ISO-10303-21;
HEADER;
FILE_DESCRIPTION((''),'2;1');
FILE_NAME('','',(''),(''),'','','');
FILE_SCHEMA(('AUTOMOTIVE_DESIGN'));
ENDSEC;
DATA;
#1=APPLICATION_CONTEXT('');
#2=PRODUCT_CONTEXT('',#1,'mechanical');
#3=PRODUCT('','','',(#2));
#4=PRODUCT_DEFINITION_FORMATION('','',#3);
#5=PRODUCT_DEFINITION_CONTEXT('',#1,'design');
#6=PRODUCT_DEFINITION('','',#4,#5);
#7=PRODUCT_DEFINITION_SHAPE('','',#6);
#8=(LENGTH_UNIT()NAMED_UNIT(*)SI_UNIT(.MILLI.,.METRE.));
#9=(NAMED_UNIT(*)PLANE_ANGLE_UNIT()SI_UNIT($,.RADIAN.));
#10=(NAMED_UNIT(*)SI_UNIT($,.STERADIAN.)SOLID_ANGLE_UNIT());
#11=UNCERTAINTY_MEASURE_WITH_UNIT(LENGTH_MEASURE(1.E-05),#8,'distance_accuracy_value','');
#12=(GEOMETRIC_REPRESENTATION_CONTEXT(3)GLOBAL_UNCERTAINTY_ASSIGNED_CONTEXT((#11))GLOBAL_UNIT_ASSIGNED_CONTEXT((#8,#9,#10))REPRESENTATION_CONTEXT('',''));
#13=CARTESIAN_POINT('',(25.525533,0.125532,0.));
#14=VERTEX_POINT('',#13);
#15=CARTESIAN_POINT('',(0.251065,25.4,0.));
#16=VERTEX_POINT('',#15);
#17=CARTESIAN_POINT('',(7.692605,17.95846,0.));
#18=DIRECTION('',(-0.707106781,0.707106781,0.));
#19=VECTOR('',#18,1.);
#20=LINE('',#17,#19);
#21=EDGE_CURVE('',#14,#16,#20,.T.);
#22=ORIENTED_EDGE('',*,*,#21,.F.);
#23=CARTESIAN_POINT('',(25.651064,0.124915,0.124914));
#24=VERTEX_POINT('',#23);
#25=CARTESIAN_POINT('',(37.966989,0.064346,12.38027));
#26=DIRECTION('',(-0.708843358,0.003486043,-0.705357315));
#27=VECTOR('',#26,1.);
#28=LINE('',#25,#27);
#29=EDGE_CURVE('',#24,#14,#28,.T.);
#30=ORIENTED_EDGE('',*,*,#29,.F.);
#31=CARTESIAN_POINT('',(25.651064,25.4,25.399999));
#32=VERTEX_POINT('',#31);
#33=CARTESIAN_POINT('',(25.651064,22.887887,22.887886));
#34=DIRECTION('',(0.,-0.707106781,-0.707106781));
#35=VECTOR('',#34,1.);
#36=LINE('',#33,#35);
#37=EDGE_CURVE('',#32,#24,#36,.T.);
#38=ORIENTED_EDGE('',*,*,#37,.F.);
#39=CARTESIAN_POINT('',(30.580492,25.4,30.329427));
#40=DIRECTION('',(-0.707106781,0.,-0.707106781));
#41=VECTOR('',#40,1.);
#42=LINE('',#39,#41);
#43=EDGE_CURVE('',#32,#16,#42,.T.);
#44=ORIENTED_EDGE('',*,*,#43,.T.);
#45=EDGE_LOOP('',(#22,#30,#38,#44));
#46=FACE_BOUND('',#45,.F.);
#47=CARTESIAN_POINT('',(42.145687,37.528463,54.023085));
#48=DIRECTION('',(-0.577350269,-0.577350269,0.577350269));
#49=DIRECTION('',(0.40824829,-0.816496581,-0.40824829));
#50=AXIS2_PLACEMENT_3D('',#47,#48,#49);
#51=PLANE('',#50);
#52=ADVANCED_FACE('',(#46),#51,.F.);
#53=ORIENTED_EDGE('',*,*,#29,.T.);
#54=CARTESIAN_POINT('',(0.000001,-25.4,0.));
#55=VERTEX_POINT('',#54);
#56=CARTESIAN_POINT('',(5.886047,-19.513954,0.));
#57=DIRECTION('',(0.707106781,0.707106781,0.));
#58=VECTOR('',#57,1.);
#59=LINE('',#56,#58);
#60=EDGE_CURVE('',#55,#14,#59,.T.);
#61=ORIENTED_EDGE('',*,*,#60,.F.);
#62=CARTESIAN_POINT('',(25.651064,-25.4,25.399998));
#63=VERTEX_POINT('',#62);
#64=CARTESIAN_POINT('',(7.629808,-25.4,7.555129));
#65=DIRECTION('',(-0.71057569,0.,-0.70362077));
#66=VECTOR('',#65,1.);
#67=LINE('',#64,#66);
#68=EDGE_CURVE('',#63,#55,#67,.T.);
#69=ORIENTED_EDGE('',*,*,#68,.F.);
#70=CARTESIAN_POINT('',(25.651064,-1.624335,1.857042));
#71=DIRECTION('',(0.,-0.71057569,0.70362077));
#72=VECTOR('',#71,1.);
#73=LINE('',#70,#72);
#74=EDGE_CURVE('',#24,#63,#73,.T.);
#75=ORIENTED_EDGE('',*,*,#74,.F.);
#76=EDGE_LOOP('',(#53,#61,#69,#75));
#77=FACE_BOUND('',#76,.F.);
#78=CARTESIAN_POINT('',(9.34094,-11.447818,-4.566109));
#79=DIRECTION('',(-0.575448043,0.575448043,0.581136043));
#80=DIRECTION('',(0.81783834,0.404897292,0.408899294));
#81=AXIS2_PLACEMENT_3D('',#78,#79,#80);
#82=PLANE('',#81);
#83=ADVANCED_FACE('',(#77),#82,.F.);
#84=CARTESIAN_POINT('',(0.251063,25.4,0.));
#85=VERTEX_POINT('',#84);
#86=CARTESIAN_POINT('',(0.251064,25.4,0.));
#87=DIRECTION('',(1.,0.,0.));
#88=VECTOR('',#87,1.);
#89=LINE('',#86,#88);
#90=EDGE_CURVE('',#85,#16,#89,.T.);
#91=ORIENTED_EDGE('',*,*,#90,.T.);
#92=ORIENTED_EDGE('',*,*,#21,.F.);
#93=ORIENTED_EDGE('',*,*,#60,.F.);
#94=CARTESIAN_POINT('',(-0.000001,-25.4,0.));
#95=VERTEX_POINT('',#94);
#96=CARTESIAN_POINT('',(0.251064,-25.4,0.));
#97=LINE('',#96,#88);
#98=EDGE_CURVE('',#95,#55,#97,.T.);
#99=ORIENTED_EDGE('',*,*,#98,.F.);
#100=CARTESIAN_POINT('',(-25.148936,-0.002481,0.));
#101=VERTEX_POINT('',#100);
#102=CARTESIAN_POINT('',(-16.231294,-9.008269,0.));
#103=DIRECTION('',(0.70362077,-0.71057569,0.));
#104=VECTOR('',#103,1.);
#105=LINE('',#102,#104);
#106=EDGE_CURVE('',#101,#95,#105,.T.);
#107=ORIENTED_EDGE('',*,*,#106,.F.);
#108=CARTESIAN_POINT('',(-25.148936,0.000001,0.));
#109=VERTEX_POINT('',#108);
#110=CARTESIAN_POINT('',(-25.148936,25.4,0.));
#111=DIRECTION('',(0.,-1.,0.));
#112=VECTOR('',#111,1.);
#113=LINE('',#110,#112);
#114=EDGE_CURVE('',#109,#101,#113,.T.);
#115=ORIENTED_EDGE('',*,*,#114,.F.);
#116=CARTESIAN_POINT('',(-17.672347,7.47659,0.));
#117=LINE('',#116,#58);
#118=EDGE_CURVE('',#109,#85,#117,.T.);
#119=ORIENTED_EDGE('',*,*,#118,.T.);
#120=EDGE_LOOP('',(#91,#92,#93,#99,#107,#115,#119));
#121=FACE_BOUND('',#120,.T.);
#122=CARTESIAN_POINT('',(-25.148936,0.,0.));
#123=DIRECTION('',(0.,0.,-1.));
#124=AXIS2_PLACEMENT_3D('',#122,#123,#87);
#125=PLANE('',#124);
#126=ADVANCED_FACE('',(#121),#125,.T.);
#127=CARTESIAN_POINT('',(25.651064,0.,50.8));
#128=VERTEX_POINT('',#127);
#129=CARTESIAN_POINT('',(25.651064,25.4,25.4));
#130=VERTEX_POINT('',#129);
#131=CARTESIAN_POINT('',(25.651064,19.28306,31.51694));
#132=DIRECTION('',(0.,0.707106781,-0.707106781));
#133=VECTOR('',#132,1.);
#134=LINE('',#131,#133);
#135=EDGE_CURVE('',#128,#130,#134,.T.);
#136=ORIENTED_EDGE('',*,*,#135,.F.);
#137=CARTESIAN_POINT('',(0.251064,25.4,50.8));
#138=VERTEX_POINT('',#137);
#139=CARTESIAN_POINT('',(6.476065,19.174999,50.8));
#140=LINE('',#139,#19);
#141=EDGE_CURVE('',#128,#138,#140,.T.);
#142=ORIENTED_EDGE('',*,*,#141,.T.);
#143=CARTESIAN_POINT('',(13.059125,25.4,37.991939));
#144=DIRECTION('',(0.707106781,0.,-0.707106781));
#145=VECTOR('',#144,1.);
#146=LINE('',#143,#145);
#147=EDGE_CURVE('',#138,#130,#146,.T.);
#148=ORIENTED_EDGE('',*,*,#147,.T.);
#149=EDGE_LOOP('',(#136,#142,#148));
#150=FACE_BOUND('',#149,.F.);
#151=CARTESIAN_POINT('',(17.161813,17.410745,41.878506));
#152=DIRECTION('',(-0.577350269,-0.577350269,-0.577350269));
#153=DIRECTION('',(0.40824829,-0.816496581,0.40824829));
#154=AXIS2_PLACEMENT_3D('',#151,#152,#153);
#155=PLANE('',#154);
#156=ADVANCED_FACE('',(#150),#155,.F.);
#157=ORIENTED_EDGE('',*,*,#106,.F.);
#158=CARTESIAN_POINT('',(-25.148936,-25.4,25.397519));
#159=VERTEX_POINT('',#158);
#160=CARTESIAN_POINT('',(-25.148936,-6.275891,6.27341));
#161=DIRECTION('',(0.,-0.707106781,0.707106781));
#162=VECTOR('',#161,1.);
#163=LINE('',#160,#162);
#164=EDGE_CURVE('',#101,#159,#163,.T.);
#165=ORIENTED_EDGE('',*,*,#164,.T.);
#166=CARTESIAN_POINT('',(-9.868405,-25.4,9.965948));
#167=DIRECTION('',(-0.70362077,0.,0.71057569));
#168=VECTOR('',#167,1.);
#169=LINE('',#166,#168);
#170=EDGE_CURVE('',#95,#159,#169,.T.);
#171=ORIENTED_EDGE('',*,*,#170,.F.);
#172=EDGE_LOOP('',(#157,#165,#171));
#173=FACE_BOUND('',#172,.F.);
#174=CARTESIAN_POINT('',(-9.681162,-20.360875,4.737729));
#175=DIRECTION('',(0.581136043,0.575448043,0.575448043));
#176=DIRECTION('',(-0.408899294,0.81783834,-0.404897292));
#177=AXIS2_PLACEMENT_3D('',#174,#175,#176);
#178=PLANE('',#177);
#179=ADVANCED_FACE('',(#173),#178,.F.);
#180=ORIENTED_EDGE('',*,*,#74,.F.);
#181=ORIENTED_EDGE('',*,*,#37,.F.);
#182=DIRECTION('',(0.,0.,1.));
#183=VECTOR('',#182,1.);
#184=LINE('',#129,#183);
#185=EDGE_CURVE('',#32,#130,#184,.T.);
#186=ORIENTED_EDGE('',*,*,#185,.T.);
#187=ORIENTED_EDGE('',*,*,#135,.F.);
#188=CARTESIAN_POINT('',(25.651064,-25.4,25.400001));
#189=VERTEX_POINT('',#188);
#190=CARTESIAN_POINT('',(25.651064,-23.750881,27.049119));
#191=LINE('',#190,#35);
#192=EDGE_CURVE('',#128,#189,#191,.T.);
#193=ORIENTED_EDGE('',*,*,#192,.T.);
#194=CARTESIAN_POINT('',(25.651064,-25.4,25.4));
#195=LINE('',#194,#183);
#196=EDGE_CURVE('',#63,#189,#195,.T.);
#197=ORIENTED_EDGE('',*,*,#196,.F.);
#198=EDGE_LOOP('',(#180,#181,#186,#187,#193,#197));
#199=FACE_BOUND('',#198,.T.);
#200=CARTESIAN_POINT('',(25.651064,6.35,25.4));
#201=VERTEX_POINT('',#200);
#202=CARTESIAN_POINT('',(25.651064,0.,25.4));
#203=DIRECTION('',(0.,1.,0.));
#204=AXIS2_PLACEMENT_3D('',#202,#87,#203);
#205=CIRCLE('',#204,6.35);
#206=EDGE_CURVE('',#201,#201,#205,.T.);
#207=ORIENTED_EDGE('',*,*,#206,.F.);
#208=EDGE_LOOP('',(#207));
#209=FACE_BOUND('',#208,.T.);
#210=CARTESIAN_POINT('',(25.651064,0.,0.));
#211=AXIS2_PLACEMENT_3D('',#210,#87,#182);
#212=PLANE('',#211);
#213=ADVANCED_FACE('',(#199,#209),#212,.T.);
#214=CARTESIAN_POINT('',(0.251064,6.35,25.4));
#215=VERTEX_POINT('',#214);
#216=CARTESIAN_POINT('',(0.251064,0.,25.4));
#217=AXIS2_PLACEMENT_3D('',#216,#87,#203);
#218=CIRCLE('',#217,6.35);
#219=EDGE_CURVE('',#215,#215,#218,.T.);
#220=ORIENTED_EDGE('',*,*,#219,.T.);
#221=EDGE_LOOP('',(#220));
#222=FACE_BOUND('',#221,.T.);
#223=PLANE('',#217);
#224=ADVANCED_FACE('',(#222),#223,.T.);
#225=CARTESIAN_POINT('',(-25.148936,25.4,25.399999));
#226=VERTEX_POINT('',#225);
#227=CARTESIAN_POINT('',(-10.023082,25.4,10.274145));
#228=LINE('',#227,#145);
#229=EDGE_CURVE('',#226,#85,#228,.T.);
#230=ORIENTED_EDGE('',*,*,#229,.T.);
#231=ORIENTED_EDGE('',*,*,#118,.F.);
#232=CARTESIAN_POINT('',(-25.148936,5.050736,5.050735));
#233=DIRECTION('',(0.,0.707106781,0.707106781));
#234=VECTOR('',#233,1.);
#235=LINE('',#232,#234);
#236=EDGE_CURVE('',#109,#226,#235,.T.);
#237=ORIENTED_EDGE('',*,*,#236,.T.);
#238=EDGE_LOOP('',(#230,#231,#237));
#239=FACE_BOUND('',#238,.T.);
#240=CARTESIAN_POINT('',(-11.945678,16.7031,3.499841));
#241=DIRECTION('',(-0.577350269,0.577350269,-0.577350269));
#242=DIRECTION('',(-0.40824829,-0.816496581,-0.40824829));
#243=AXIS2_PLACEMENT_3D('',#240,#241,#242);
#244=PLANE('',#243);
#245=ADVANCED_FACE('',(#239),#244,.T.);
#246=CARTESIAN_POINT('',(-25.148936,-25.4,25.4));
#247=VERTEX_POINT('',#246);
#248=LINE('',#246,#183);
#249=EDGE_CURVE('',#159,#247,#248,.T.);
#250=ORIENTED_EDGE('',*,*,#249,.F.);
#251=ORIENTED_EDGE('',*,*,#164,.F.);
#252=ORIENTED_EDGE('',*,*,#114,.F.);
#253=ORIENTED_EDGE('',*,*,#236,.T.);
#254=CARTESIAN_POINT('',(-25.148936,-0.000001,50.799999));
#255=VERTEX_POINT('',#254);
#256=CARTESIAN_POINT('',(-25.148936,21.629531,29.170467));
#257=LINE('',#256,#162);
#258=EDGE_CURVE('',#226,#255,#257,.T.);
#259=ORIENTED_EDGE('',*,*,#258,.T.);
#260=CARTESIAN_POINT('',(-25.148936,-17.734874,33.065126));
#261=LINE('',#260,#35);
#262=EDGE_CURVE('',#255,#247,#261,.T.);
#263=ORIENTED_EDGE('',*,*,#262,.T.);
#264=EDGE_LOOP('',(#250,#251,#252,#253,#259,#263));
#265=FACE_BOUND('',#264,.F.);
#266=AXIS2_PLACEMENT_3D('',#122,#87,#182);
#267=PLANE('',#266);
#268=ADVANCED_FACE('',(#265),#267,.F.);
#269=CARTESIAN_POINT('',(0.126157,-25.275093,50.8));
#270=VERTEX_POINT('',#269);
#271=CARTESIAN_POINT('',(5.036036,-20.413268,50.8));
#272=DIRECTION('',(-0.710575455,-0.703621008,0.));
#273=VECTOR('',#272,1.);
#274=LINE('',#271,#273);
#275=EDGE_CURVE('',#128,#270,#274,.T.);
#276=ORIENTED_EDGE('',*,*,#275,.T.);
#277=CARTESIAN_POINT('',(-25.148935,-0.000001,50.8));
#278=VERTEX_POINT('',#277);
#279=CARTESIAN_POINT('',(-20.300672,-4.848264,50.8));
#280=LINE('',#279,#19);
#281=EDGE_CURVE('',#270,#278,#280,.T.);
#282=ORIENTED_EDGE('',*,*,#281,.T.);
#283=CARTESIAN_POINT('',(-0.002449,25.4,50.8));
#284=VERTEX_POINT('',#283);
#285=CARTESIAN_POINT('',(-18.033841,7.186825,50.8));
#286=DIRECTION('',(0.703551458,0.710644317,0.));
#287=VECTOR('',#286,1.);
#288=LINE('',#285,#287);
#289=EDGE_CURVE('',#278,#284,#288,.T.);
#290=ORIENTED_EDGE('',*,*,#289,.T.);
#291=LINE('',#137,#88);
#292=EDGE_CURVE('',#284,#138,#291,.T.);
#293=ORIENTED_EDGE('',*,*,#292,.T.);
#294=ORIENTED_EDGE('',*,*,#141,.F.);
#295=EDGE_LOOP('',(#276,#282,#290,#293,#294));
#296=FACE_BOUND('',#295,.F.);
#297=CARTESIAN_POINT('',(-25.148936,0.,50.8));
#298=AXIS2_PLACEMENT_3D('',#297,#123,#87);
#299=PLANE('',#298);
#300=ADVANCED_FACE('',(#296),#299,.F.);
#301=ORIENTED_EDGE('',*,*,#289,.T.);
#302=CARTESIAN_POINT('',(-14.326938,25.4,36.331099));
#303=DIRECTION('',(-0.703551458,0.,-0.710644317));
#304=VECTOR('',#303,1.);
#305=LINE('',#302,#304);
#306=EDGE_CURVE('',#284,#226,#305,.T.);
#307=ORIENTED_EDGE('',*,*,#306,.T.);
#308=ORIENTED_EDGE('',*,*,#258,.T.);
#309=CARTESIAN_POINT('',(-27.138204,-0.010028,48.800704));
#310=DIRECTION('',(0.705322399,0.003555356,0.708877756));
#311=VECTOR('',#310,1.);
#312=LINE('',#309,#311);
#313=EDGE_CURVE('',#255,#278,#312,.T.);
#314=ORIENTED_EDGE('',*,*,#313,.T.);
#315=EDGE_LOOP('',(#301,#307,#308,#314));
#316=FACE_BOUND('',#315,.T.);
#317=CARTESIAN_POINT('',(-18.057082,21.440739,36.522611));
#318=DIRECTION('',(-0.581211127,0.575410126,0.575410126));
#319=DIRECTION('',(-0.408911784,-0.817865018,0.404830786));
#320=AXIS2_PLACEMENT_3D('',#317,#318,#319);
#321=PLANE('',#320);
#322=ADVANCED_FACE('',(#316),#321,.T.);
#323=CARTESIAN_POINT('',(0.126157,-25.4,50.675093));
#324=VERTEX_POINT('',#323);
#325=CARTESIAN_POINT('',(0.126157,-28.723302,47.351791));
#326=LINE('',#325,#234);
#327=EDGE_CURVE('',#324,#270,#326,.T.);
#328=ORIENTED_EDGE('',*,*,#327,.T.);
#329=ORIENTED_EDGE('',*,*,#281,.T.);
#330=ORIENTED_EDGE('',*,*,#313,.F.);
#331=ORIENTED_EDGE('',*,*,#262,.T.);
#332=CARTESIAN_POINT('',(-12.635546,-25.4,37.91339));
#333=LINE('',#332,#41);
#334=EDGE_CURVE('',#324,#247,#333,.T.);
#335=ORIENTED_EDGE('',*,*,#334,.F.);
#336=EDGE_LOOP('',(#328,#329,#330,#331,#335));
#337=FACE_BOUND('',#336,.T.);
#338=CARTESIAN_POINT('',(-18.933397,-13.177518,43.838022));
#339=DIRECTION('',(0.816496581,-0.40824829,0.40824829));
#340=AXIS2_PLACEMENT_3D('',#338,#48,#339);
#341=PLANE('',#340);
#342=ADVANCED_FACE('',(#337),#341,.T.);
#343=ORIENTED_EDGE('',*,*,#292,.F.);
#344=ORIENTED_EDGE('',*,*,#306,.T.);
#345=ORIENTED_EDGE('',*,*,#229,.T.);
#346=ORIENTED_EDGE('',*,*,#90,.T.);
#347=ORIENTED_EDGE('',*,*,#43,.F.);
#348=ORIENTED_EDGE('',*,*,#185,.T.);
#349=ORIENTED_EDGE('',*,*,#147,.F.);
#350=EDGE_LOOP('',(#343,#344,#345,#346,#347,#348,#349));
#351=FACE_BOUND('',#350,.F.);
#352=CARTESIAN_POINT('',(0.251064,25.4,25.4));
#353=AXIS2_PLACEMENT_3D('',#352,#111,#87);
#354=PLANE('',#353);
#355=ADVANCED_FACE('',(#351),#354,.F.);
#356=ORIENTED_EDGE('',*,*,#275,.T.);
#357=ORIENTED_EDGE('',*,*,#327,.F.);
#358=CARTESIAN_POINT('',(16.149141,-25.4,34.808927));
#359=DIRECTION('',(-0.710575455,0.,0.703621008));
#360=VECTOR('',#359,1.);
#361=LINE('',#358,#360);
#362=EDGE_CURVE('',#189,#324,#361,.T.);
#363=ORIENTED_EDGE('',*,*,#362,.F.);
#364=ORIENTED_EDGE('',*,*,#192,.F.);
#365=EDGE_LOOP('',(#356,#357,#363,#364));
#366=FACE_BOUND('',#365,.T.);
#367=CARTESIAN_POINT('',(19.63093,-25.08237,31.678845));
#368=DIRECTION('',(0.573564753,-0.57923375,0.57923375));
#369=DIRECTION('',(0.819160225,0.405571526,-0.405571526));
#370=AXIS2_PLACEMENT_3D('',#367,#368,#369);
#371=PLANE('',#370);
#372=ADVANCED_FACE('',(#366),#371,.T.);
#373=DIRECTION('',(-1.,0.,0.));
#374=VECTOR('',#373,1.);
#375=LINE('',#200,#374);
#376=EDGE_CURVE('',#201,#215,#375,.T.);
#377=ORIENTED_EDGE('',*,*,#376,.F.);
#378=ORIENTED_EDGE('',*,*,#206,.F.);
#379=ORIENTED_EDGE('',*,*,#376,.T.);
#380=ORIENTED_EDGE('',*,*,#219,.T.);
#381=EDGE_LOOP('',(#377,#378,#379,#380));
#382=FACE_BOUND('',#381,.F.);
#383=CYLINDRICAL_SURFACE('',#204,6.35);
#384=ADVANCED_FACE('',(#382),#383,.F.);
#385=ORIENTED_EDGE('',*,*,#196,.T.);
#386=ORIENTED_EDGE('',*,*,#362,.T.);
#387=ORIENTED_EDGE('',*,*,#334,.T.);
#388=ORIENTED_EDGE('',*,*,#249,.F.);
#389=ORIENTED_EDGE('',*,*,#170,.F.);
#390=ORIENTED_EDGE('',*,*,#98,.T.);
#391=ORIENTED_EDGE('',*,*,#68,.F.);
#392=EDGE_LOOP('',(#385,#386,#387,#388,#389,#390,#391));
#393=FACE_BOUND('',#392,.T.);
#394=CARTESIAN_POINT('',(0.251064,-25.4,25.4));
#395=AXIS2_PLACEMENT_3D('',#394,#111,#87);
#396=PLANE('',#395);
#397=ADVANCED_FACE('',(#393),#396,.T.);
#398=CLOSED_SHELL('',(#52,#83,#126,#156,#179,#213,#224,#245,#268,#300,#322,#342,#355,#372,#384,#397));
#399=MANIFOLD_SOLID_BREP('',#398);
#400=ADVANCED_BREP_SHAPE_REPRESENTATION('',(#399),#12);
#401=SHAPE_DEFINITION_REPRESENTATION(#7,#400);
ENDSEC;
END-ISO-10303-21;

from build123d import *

# Parameters (mm, degrees)
F0_W      = 50.8
F0_H      = 50.8
F1_DEPTH  = 25.4
F9_W      = 81.569908
F9_H      = 70.63064
F10_DEPTH = 29.3
F12_R     = 89.535531
F13_DEPTH = 25
F15_R     = 39.569466
F16_DEPTH = 41
F18_W     = 58.592394
F18_H     = 71.147578
F19_DEPTH = 100
F21_W     = 80.173537
F21_H     = 55.645675
F22_DEPTH = 42.7
F24_W     = 87.651257
F24_H     = 68.795107
F25_DEPTH = 25
F27_W     = 100.011413
F27_H     = 117.008079
F28_DEPTH = 25
F30_W     = 0.249144
F30_H     = 2.697075
F31_DEPTH = 48.9
F32_R     = 6.35
F33_DEPTH = 25.4


with BuildPart() as f1:
    # F0 (on Front) → F1 (new body, symmetric)
    with BuildSketch(Plane.XZ):
        with Locations((0.251064, 25.4)):
            Rectangle(F0_W, F0_H)
    extrude(amount=F1_DEPTH, both=True)

    # F9 (on face) → F10 (cut)
    with BuildSketch(Plane(origin=(-8.382979, 8.382979, -8.382979), x_dir=(-0.408248, -0.816497, -0.408248), z_dir=(-0.57735, 0.57735, -0.57735))):
        with Locations((-10.190026, 10.921631)):
            Rectangle(F9_W, F9_H)
    extrude(amount=F10_DEPTH, mode=Mode.SUBTRACT)

    # F12 (on face) → F13 (cut)
    with BuildSketch(Plane(origin=(8.550355, 8.550355, -8.550355), x_dir=(0.408248, -0.816497, -0.408248), z_dir=(-0.57735, -0.57735, 0.57735))):
        with Locations((-35.490789, 68.001591)):
            Circle(F12_R)
    extrude(amount=-F13_DEPTH, mode=Mode.SUBTRACT)

    # F15 (on face) → F16 (cut)
    with BuildSketch(Plane(origin=(25.483688, 25.483688, 25.483688), x_dir=(0.408248, -0.816497, 0.408248), z_dir=(-0.57735, -0.57735, -0.57735))):
        with Locations((9.887295, 17.477341)):
            Circle(F15_R)
    extrude(amount=-F16_DEPTH, mode=Mode.SUBTRACT)

    # F18 (on face) → F19 (cut)
    with BuildSketch(Plane(origin=(-25.484761, 25.230394, 25.230394), x_dir=(-0.408912, -0.817865, 0.404831), z_dir=(-0.581211, 0.57541, 0.57541))):
        with Locations((4.633598, 13.250503)):
            Rectangle(F18_W, F18_H)
    extrude(amount=F19_DEPTH, mode=Mode.SUBTRACT)

    # F21 (on face) → F22 (cut)
    with BuildSketch(Plane(origin=(-25.316312, -25.316312, 25.316312), x_dir=(0.816497, -0.408248, 0.408248), z_dir=(-0.57735, -0.57735, 0.57735))):
        with Locations((7.817443, 21.68025)):
            Rectangle(F21_W, F21_H)
    extrude(amount=F22_DEPTH, mode=Mode.SUBTRACT)

    # F24 (on face) → F25 (cut)
    with BuildSketch(Plane(origin=(-8.494105, -8.410968, -8.410968), x_dir=(-0.408899, 0.817838, -0.404897), z_dir=(0.581136, 0.575448, 0.575448))):
        with Locations((-14.611577, 10.17838)):
            Rectangle(F24_W, F24_H)
    extrude(amount=-F25_DEPTH, mode=Mode.SUBTRACT)

    # F27 (on face) → F28 (cut)
    with BuildSketch(Plane(origin=(8.410968, -8.410968, -8.494105), x_dir=(0.817838, 0.404897, 0.408899), z_dir=(-0.575448, 0.575448, 0.581136))):
        with Locations((1.137109, -4.921732)):
            Rectangle(F27_W, F27_H)
    extrude(amount=-F28_DEPTH, mode=Mode.SUBTRACT)

    # F30 (on face) → F31 (cut)
    with BuildSketch(Plane(origin=(25.315773, -25.566005, 25.566005), x_dir=(0.81916, 0.405571, -0.405571), z_dir=(0.573565, -0.579234, 0.579234))):
        Polygon((-45.404907, 18.753311), (-67.2075, 18.753311), (-67.2075, -9.424486), (53.327814, -9.424486), (53.327814, 18.753311), (35.788387, 18.753311), align=None)
        with Locations((35.663815, 20.775202)):
            Rectangle(F30_W, F30_H)
        Polygon((-45.404907, 42.469528), (-45.404907, 18.753311), (35.788387, 18.753311), (35.788387, 19.426664), (35.539243, 19.426664), (35.539243, 22.123739), (35.788387, 22.123739), (35.788387, 42.469528), align=None)
    extrude(amount=F31_DEPTH, mode=Mode.SUBTRACT)

    # F32 (on face) → F33 (cut)
    with BuildSketch(Plane.YZ.offset(25.651064)):
        with Locations((0, 25.4)):
            Circle(F32_R)
    extrude(amount=-F33_DEPTH, mode=Mode.SUBTRACT)


solid = f1.part
